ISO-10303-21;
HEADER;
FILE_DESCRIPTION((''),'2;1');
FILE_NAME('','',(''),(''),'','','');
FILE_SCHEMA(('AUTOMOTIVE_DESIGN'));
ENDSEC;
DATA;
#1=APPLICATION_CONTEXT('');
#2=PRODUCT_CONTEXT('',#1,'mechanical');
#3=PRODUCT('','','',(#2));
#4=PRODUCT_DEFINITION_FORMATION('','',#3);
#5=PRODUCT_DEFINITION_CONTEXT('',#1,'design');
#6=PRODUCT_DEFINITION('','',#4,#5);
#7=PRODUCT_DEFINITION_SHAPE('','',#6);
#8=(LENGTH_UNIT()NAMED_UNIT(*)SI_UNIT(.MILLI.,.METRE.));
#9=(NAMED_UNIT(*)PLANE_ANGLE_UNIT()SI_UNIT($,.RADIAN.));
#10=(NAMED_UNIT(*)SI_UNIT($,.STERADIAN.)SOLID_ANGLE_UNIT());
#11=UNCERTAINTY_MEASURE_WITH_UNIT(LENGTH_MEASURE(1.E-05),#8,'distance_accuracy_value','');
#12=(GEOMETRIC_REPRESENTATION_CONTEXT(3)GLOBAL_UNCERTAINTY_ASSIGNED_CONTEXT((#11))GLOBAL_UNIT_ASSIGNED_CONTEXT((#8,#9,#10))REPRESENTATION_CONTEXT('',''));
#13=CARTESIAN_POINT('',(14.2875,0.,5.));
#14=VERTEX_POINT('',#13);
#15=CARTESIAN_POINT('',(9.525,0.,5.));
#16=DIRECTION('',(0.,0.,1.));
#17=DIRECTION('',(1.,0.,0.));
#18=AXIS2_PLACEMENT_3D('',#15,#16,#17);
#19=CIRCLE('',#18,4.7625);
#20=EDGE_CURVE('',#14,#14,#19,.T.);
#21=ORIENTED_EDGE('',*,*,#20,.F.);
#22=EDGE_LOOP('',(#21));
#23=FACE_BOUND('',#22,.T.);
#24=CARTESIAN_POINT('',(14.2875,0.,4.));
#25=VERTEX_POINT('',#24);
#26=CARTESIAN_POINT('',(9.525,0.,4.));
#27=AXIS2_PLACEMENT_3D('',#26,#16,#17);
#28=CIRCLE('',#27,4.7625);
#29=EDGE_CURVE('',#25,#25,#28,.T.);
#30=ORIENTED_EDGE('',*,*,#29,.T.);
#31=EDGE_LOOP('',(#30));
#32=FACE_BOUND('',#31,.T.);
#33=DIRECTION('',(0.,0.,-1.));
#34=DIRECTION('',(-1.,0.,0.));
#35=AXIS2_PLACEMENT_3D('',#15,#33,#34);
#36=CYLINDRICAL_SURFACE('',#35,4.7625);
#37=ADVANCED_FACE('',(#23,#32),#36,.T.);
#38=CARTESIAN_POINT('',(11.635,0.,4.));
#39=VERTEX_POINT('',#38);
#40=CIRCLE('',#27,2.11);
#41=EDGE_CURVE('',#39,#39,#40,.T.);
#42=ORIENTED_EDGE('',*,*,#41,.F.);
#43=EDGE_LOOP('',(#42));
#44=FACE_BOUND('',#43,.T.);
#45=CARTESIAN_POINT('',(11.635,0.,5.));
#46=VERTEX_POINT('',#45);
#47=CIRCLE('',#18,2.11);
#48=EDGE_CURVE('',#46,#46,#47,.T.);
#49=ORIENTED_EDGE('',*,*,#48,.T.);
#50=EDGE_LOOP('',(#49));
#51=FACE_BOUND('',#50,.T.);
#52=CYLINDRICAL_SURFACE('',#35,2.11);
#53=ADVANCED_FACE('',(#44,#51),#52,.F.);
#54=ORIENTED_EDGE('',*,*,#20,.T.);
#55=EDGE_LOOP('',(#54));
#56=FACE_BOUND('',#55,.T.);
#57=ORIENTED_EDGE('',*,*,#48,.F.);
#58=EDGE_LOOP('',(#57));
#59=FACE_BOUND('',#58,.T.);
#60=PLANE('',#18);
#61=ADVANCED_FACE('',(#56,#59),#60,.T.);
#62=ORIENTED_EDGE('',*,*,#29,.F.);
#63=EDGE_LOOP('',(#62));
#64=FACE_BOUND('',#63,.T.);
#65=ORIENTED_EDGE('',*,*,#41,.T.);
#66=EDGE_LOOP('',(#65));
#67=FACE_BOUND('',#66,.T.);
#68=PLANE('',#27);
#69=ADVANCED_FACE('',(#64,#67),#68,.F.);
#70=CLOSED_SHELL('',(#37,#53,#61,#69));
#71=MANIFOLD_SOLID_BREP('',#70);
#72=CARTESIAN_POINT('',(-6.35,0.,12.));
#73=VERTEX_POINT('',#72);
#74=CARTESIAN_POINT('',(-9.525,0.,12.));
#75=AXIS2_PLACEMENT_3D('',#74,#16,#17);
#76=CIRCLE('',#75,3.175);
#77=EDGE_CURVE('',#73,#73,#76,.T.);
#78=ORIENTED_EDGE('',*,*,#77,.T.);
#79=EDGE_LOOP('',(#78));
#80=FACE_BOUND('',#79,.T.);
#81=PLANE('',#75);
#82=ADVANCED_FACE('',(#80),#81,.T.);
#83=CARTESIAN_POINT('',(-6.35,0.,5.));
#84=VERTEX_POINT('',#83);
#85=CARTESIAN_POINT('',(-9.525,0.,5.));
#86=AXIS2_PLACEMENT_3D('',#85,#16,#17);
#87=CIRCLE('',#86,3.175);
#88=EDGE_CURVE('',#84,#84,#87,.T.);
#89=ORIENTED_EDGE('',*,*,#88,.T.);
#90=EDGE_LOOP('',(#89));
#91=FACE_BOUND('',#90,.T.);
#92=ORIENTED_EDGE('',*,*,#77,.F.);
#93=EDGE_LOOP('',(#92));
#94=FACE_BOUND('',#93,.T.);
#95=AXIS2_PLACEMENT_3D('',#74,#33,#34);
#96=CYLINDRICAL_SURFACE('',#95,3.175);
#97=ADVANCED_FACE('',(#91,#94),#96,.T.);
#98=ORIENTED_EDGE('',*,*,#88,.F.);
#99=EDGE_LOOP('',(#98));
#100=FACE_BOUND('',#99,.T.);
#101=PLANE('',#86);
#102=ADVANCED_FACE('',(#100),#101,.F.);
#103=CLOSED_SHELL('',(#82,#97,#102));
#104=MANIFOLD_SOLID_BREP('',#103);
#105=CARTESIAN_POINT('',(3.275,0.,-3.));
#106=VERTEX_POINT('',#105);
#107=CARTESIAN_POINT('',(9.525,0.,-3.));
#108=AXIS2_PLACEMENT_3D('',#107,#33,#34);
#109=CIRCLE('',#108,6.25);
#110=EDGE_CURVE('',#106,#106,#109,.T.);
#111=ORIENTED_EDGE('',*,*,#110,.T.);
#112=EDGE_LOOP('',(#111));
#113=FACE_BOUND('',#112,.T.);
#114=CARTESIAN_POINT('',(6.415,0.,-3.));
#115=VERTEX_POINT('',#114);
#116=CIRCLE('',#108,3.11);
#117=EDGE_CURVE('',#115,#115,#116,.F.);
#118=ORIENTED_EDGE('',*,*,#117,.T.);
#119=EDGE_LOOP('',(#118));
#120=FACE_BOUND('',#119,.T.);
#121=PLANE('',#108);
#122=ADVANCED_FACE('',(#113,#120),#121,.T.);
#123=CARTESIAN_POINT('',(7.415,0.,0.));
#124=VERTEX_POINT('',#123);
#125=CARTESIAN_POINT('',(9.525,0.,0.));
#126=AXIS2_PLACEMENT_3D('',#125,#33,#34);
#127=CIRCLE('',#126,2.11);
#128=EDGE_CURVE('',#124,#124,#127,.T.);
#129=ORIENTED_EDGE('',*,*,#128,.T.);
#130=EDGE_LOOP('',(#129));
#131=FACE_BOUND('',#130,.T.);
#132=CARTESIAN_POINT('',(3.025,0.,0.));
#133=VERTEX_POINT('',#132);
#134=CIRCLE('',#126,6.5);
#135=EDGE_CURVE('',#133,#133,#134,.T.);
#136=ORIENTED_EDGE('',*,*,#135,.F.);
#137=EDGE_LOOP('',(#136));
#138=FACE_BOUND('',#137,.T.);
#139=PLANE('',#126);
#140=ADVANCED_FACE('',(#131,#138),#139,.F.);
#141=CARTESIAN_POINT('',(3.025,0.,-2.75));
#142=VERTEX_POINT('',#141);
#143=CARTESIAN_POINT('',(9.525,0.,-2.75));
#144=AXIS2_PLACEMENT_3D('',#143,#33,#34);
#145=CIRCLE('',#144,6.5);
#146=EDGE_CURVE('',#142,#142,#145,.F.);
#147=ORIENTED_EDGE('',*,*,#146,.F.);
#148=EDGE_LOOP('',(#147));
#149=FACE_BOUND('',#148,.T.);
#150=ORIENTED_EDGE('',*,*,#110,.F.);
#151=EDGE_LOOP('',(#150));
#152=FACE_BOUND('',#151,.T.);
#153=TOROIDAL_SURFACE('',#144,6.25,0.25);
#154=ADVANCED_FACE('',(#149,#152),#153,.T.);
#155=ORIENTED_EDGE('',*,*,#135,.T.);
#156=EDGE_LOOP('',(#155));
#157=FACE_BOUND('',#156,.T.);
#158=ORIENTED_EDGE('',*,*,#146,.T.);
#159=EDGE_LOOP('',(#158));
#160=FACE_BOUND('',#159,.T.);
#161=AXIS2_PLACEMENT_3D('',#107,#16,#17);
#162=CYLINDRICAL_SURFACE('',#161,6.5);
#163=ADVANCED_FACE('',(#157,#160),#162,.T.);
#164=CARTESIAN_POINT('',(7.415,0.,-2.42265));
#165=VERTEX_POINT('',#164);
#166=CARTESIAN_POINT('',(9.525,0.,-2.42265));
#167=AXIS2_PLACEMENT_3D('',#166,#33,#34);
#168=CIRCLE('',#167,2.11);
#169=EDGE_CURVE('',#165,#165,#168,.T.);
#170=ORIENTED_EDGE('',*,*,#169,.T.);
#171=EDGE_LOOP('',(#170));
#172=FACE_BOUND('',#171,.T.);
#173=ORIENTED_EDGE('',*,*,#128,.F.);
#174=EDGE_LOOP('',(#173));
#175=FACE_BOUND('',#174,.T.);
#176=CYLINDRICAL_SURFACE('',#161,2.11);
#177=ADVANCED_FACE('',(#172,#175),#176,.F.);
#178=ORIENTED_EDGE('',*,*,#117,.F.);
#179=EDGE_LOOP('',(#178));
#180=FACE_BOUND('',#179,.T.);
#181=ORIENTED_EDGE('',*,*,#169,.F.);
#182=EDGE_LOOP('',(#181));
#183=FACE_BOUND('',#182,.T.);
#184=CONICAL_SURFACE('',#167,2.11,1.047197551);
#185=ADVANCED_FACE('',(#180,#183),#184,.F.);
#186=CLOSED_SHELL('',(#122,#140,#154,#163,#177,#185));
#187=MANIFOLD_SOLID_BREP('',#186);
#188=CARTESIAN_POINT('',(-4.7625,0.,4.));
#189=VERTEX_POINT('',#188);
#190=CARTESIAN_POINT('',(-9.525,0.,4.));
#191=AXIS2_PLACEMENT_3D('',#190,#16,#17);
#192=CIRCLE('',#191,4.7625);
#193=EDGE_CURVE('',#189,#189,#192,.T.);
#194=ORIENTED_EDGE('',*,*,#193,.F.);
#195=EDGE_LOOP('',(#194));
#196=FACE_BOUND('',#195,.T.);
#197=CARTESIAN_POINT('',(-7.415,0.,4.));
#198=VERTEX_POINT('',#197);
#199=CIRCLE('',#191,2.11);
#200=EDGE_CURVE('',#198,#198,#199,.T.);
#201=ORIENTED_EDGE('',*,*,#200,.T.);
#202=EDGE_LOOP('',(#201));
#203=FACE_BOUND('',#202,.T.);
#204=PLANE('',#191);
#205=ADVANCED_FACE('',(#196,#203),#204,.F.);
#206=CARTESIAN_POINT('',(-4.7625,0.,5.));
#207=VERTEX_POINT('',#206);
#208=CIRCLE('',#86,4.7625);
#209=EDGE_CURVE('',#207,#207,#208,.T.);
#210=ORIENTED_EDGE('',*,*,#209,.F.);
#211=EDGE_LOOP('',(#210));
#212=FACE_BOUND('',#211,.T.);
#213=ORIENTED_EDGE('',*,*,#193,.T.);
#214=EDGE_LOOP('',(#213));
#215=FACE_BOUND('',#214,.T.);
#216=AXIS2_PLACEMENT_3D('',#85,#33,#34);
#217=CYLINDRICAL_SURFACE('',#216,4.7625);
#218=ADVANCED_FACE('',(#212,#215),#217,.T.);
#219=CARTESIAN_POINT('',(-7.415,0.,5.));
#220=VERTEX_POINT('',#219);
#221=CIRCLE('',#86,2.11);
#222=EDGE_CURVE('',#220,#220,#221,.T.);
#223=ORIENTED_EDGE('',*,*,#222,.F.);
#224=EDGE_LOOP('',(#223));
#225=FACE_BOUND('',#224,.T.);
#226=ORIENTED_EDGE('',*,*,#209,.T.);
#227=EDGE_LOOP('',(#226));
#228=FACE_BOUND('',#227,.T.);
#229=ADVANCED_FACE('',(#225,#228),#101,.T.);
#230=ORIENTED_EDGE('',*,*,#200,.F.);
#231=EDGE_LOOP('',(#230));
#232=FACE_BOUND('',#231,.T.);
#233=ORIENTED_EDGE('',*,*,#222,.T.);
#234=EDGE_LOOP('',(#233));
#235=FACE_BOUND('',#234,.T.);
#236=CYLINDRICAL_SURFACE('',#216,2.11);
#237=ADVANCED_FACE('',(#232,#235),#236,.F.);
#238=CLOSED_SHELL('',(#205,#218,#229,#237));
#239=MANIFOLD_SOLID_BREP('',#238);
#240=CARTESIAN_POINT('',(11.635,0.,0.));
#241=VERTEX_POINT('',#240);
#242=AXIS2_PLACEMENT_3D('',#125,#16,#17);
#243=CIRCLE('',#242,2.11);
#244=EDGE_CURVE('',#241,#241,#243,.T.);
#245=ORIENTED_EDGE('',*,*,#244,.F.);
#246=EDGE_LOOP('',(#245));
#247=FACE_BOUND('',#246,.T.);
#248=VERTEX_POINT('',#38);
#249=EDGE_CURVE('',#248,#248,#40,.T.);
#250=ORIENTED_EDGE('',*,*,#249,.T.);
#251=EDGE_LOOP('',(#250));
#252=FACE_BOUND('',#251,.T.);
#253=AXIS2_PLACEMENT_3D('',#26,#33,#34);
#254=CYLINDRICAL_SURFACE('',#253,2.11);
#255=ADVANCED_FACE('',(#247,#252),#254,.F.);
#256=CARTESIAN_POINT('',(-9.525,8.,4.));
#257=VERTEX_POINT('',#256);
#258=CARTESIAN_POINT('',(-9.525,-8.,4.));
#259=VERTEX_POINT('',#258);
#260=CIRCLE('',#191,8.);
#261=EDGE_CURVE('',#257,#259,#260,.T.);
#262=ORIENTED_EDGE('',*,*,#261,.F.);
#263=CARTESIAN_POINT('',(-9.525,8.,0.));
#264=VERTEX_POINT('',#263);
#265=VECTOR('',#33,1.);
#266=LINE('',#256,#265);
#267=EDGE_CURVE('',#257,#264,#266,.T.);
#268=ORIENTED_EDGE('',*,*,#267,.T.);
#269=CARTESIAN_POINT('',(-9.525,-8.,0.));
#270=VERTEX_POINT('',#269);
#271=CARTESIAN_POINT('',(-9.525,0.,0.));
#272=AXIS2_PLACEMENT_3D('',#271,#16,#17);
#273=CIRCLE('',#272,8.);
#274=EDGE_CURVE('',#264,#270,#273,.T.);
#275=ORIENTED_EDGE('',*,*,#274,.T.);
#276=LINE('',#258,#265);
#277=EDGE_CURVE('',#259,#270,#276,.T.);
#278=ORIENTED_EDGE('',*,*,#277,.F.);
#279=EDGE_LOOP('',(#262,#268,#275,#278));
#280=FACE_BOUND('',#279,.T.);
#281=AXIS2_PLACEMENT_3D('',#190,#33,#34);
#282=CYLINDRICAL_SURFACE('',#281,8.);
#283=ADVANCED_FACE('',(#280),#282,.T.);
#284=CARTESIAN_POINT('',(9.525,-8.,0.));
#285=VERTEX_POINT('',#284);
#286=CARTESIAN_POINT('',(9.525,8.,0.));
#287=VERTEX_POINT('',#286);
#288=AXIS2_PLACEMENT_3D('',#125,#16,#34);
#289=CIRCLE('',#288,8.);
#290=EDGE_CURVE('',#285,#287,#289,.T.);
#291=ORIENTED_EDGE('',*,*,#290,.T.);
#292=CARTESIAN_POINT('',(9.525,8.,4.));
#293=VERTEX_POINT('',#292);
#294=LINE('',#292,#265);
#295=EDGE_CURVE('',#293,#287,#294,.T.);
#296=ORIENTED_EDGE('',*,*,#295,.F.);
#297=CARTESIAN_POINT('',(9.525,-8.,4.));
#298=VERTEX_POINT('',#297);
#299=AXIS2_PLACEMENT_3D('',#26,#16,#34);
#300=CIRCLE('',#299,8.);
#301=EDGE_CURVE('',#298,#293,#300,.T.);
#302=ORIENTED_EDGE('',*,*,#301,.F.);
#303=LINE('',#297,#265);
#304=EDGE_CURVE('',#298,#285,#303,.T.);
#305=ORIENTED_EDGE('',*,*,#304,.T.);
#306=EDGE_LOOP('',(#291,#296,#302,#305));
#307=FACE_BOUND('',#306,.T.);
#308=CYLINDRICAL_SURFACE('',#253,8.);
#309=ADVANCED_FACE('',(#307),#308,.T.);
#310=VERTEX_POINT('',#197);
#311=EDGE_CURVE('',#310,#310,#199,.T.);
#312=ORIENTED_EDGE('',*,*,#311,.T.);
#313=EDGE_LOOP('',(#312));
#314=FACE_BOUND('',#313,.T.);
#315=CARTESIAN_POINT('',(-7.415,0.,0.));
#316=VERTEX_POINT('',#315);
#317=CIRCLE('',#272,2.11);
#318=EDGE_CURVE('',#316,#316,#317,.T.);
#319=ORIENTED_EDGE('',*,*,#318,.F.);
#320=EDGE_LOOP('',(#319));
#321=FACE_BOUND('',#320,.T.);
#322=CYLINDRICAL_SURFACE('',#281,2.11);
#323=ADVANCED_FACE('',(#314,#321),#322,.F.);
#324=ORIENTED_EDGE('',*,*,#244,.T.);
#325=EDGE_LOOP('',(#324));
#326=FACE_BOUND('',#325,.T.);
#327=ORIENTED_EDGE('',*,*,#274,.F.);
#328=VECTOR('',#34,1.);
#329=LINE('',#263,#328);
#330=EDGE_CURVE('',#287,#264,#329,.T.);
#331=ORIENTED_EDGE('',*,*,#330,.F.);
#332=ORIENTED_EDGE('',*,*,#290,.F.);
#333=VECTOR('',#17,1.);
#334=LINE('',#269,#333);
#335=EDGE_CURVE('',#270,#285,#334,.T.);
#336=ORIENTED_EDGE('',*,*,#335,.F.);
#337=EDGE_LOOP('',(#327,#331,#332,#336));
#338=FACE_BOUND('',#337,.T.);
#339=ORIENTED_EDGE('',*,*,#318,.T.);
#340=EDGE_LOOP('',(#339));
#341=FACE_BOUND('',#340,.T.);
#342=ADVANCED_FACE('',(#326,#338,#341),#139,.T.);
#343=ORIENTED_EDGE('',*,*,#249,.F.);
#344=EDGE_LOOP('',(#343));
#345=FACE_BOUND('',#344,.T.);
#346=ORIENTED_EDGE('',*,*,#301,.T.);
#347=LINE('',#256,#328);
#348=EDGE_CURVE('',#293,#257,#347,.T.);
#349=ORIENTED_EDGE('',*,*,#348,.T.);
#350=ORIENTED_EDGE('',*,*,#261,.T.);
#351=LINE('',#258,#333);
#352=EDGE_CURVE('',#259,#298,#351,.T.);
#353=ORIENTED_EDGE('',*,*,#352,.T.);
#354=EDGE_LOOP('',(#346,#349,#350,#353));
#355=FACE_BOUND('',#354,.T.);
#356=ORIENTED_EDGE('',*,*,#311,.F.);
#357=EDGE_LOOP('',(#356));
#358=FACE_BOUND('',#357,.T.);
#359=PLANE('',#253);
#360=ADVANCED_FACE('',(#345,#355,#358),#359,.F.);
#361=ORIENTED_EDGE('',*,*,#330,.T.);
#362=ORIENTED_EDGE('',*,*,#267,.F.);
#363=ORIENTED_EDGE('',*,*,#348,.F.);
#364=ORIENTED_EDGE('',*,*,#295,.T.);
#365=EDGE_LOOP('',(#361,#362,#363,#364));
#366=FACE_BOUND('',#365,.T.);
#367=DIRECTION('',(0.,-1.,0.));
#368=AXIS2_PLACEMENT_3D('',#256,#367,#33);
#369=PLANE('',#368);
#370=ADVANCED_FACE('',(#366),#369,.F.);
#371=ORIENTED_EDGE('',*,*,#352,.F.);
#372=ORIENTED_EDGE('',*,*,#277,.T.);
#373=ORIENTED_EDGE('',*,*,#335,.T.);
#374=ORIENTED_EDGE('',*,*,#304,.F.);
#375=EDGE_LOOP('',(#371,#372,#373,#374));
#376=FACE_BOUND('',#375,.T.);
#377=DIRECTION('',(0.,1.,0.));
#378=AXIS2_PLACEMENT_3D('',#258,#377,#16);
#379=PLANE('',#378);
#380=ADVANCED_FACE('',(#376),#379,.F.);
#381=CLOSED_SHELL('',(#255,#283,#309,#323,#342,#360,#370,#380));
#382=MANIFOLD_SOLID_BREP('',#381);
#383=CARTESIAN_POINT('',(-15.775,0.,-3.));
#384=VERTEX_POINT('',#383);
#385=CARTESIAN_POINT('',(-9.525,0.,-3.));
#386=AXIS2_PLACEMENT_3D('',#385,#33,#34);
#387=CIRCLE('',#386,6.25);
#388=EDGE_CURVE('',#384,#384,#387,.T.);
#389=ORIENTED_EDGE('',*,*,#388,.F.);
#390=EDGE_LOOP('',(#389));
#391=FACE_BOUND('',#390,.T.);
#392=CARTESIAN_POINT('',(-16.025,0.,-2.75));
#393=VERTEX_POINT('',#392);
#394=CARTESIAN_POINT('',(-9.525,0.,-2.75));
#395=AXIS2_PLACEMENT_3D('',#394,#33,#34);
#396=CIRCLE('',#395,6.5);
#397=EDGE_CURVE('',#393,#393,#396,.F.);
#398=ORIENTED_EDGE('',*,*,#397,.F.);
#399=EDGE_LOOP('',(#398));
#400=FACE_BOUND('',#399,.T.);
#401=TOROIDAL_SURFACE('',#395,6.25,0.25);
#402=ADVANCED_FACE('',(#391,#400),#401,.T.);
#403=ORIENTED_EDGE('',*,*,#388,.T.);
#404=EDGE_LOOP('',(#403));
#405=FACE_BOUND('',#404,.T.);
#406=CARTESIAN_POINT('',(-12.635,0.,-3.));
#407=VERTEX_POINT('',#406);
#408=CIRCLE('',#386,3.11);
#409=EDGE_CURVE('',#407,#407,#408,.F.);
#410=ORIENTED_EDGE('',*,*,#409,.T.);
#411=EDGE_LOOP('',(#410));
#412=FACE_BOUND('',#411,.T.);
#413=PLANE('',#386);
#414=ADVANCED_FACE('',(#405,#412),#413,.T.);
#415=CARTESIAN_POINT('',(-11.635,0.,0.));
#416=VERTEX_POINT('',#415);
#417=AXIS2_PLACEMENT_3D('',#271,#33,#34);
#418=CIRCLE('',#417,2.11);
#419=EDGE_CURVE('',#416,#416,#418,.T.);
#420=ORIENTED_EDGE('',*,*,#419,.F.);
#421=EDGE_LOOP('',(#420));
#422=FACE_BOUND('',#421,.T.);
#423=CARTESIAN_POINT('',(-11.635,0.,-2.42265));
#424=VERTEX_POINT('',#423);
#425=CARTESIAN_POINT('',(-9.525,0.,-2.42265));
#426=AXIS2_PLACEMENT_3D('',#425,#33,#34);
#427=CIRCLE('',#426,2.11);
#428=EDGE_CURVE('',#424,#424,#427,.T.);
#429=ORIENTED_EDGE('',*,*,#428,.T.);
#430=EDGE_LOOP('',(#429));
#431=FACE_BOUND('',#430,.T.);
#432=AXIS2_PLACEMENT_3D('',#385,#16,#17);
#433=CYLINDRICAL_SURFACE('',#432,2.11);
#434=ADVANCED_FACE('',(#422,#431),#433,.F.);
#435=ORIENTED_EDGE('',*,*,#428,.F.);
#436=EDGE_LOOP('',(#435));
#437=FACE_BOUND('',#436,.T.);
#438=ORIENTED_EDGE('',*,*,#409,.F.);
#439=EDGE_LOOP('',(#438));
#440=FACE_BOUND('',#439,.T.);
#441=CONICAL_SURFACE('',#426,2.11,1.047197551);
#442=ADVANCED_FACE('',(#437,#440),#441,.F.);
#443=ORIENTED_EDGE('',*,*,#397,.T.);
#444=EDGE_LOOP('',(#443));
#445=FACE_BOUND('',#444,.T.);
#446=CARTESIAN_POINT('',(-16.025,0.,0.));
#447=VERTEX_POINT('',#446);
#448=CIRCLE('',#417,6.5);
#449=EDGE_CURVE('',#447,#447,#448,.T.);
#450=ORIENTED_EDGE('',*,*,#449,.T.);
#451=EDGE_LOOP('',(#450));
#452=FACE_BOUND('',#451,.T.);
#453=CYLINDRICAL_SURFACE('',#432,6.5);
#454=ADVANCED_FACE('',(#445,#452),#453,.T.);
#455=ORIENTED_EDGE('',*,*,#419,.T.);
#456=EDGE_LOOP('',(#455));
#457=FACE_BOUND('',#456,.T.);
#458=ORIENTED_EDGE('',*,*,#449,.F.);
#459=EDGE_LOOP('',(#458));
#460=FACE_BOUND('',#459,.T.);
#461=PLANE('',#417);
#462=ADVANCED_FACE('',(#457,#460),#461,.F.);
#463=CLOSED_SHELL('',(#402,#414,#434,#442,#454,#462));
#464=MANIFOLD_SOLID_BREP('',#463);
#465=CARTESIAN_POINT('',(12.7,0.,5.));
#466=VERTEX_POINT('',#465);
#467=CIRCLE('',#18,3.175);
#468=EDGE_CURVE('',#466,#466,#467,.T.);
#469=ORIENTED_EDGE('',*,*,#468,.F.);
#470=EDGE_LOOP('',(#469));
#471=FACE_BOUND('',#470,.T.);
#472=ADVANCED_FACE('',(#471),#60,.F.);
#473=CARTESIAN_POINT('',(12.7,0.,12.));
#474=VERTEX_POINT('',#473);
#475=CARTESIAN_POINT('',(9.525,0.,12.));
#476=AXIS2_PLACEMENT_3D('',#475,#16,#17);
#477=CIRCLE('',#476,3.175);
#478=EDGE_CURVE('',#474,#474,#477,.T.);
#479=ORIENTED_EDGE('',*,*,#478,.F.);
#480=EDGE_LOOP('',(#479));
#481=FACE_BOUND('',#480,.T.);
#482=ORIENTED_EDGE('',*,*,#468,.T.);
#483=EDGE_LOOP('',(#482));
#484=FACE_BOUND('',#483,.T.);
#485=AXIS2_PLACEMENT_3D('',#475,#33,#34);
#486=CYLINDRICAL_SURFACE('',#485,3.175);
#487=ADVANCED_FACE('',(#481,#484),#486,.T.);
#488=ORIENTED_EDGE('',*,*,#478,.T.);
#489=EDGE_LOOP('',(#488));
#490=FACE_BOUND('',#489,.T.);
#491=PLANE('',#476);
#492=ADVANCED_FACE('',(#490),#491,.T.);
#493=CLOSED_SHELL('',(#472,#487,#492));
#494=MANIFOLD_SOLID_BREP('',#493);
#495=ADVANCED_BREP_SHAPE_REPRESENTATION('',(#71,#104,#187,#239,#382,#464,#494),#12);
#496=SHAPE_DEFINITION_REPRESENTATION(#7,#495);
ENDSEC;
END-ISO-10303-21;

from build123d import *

# Parameters (mm, degrees)
SKETCH1_R             = 2.11
BOSS_EXTRUDE1_DEPTH   = 4
SKETCH2_R             = 6.5
SKETCH2_R_2           = 2.11
BOSS_EXTRUDE2_DEPTH   = 3
BOSS_EXTRUDE2_2_DEPTH = 3
FILLET1_R             = 0.25
CHAMFER1_SIZE         = 1
CHAMFER1_SIZE2        = 0.577350269
SKETCH3_R             = 4.7625
SKETCH3_R_2           = 2.11
BOSS_EXTRUDE3_DEPTH   = 1
BOSS_EXTRUDE3_2_DEPTH = 1
SKETCH4_R             = 3.175
BOSS_EXTRUDE4_DEPTH   = 7
BOSS_EXTRUDE4_2_DEPTH = 7
FILLET2_R             = 0.25
CHAMFER2_SIZE         = 1
CHAMFER2_SIZE2        = 0.577350269


with BuildPart() as part:
    # Sketch1 → Boss-Extrude1 (new body)
    with BuildSketch(Plane.XY):
        with BuildLine():
            Line((-9.525, 8), (9.525, 8))
            ThreePointArc((9.525, 8), (17.525, 0), (9.525, -8))
            Line((9.525, -8), (-9.525, -8))
            ThreePointArc((-9.525, -8), (-17.525, 0), (-9.525, 8))
        make_face()
        with Locations((-9.525, 0)):
            Circle(SKETCH1_R, mode=Mode.SUBTRACT)
        with Locations((9.525, 0)):
            Circle(SKETCH1_R, mode=Mode.SUBTRACT)
    extrude(amount=BOSS_EXTRUDE1_DEPTH)


with BuildPart() as body_2:
    # Sketch2 → Boss-Extrude2 (new body)
    with BuildSketch(Plane(origin=(0, 0, 0), x_dir=(-1, 0, 0), z_dir=(0, 0, -1))):
        with Locations((-9.525, 0)):
            Circle(SKETCH2_R)
        with Locations((-9.525, 0)):
            Circle(SKETCH2_R_2, mode=Mode.SUBTRACT)
    extrude(amount=BOSS_EXTRUDE2_DEPTH)

    # Fillet2
    fillet2_edges = [body_2.edges().sort_by_distance(p)[0] for p in [
        (16.025, 0, -3),
    ]]
    fillet(fillet2_edges, radius=FILLET2_R)

    # Chamfer2
    chamfer2_edges = [body_2.edges().sort_by_distance(p)[0] for p in [
        (11.635, 0, -3),
    ]]
    chamfer2_side = [body_2.faces().sort_by_distance(p)[0] for p in [
        (15.598223305, 0, -3),
    ]]
    chamfer(chamfer2_edges, length=CHAMFER2_SIZE, length2=CHAMFER2_SIZE2, reference=chamfer2_side[0])


with BuildPart() as body_3:
    # Sketch2 → Boss-Extrude2 2 (new body)
    with BuildSketch(Plane(origin=(0, 0, 0), x_dir=(-1, 0, 0), z_dir=(0, 0, -1))):
        with Locations((9.525, 0)):
            Circle(SKETCH2_R)
        with Locations((9.525, 0)):
            Circle(SKETCH2_R_2, mode=Mode.SUBTRACT)
    extrude(amount=BOSS_EXTRUDE2_2_DEPTH)

    # Fillet1
    fillet1_edges = [body_3.edges().sort_by_distance(p)[0] for p in [
        (-3.025, 0, -3),
    ]]
    fillet(fillet1_edges, radius=FILLET1_R)

    # Chamfer1
    chamfer1_edges = [body_3.edges().sort_by_distance(p)[0] for p in [
        (-7.415, 0, -3),
    ]]
    chamfer1_side = [body_3.faces().sort_by_distance(p)[0] for p in [
        (-3.451776695, 0, -3),
    ]]
    chamfer(chamfer1_edges, length=CHAMFER1_SIZE, length2=CHAMFER1_SIZE2, reference=chamfer1_side[0])


with BuildPart() as body_4:
    # Sketch3 → Boss-Extrude3 (new body)
    with BuildSketch(Plane.XY.offset(4)):
        with Locations((-9.525, 0)):
            Circle(SKETCH3_R)
        with Locations((-9.525, 0)):
            Circle(SKETCH3_R_2, mode=Mode.SUBTRACT)
    extrude(amount=BOSS_EXTRUDE3_DEPTH)


with BuildPart() as body_5:
    # Sketch3 → Boss-Extrude3 2 (new body)
    with BuildSketch(Plane.XY.offset(4)):
        with Locations((9.525, 0)):
            Circle(SKETCH3_R)
        with Locations((9.525, 0)):
            Circle(SKETCH3_R_2, mode=Mode.SUBTRACT)
    extrude(amount=BOSS_EXTRUDE3_2_DEPTH)


with BuildPart() as body_6:
    # Sketch4 → Boss-Extrude4 (new body)
    with BuildSketch(Plane.XY.offset(5)):
        with Locations((-9.525, 0)):
            Circle(SKETCH4_R)
    extrude(amount=BOSS_EXTRUDE4_DEPTH)


with BuildPart() as body_7:
    # Sketch4 → Boss-Extrude4 2 (new body)
    with BuildSketch(Plane.XY.offset(5)):
        with Locations((9.525, 0)):
            Circle(SKETCH4_R)
    extrude(amount=BOSS_EXTRUDE4_2_DEPTH)


solid = Compound([part.part, body_2.part, body_3.part, body_4.part, body_5.part, body_6.part, body_7.part])
